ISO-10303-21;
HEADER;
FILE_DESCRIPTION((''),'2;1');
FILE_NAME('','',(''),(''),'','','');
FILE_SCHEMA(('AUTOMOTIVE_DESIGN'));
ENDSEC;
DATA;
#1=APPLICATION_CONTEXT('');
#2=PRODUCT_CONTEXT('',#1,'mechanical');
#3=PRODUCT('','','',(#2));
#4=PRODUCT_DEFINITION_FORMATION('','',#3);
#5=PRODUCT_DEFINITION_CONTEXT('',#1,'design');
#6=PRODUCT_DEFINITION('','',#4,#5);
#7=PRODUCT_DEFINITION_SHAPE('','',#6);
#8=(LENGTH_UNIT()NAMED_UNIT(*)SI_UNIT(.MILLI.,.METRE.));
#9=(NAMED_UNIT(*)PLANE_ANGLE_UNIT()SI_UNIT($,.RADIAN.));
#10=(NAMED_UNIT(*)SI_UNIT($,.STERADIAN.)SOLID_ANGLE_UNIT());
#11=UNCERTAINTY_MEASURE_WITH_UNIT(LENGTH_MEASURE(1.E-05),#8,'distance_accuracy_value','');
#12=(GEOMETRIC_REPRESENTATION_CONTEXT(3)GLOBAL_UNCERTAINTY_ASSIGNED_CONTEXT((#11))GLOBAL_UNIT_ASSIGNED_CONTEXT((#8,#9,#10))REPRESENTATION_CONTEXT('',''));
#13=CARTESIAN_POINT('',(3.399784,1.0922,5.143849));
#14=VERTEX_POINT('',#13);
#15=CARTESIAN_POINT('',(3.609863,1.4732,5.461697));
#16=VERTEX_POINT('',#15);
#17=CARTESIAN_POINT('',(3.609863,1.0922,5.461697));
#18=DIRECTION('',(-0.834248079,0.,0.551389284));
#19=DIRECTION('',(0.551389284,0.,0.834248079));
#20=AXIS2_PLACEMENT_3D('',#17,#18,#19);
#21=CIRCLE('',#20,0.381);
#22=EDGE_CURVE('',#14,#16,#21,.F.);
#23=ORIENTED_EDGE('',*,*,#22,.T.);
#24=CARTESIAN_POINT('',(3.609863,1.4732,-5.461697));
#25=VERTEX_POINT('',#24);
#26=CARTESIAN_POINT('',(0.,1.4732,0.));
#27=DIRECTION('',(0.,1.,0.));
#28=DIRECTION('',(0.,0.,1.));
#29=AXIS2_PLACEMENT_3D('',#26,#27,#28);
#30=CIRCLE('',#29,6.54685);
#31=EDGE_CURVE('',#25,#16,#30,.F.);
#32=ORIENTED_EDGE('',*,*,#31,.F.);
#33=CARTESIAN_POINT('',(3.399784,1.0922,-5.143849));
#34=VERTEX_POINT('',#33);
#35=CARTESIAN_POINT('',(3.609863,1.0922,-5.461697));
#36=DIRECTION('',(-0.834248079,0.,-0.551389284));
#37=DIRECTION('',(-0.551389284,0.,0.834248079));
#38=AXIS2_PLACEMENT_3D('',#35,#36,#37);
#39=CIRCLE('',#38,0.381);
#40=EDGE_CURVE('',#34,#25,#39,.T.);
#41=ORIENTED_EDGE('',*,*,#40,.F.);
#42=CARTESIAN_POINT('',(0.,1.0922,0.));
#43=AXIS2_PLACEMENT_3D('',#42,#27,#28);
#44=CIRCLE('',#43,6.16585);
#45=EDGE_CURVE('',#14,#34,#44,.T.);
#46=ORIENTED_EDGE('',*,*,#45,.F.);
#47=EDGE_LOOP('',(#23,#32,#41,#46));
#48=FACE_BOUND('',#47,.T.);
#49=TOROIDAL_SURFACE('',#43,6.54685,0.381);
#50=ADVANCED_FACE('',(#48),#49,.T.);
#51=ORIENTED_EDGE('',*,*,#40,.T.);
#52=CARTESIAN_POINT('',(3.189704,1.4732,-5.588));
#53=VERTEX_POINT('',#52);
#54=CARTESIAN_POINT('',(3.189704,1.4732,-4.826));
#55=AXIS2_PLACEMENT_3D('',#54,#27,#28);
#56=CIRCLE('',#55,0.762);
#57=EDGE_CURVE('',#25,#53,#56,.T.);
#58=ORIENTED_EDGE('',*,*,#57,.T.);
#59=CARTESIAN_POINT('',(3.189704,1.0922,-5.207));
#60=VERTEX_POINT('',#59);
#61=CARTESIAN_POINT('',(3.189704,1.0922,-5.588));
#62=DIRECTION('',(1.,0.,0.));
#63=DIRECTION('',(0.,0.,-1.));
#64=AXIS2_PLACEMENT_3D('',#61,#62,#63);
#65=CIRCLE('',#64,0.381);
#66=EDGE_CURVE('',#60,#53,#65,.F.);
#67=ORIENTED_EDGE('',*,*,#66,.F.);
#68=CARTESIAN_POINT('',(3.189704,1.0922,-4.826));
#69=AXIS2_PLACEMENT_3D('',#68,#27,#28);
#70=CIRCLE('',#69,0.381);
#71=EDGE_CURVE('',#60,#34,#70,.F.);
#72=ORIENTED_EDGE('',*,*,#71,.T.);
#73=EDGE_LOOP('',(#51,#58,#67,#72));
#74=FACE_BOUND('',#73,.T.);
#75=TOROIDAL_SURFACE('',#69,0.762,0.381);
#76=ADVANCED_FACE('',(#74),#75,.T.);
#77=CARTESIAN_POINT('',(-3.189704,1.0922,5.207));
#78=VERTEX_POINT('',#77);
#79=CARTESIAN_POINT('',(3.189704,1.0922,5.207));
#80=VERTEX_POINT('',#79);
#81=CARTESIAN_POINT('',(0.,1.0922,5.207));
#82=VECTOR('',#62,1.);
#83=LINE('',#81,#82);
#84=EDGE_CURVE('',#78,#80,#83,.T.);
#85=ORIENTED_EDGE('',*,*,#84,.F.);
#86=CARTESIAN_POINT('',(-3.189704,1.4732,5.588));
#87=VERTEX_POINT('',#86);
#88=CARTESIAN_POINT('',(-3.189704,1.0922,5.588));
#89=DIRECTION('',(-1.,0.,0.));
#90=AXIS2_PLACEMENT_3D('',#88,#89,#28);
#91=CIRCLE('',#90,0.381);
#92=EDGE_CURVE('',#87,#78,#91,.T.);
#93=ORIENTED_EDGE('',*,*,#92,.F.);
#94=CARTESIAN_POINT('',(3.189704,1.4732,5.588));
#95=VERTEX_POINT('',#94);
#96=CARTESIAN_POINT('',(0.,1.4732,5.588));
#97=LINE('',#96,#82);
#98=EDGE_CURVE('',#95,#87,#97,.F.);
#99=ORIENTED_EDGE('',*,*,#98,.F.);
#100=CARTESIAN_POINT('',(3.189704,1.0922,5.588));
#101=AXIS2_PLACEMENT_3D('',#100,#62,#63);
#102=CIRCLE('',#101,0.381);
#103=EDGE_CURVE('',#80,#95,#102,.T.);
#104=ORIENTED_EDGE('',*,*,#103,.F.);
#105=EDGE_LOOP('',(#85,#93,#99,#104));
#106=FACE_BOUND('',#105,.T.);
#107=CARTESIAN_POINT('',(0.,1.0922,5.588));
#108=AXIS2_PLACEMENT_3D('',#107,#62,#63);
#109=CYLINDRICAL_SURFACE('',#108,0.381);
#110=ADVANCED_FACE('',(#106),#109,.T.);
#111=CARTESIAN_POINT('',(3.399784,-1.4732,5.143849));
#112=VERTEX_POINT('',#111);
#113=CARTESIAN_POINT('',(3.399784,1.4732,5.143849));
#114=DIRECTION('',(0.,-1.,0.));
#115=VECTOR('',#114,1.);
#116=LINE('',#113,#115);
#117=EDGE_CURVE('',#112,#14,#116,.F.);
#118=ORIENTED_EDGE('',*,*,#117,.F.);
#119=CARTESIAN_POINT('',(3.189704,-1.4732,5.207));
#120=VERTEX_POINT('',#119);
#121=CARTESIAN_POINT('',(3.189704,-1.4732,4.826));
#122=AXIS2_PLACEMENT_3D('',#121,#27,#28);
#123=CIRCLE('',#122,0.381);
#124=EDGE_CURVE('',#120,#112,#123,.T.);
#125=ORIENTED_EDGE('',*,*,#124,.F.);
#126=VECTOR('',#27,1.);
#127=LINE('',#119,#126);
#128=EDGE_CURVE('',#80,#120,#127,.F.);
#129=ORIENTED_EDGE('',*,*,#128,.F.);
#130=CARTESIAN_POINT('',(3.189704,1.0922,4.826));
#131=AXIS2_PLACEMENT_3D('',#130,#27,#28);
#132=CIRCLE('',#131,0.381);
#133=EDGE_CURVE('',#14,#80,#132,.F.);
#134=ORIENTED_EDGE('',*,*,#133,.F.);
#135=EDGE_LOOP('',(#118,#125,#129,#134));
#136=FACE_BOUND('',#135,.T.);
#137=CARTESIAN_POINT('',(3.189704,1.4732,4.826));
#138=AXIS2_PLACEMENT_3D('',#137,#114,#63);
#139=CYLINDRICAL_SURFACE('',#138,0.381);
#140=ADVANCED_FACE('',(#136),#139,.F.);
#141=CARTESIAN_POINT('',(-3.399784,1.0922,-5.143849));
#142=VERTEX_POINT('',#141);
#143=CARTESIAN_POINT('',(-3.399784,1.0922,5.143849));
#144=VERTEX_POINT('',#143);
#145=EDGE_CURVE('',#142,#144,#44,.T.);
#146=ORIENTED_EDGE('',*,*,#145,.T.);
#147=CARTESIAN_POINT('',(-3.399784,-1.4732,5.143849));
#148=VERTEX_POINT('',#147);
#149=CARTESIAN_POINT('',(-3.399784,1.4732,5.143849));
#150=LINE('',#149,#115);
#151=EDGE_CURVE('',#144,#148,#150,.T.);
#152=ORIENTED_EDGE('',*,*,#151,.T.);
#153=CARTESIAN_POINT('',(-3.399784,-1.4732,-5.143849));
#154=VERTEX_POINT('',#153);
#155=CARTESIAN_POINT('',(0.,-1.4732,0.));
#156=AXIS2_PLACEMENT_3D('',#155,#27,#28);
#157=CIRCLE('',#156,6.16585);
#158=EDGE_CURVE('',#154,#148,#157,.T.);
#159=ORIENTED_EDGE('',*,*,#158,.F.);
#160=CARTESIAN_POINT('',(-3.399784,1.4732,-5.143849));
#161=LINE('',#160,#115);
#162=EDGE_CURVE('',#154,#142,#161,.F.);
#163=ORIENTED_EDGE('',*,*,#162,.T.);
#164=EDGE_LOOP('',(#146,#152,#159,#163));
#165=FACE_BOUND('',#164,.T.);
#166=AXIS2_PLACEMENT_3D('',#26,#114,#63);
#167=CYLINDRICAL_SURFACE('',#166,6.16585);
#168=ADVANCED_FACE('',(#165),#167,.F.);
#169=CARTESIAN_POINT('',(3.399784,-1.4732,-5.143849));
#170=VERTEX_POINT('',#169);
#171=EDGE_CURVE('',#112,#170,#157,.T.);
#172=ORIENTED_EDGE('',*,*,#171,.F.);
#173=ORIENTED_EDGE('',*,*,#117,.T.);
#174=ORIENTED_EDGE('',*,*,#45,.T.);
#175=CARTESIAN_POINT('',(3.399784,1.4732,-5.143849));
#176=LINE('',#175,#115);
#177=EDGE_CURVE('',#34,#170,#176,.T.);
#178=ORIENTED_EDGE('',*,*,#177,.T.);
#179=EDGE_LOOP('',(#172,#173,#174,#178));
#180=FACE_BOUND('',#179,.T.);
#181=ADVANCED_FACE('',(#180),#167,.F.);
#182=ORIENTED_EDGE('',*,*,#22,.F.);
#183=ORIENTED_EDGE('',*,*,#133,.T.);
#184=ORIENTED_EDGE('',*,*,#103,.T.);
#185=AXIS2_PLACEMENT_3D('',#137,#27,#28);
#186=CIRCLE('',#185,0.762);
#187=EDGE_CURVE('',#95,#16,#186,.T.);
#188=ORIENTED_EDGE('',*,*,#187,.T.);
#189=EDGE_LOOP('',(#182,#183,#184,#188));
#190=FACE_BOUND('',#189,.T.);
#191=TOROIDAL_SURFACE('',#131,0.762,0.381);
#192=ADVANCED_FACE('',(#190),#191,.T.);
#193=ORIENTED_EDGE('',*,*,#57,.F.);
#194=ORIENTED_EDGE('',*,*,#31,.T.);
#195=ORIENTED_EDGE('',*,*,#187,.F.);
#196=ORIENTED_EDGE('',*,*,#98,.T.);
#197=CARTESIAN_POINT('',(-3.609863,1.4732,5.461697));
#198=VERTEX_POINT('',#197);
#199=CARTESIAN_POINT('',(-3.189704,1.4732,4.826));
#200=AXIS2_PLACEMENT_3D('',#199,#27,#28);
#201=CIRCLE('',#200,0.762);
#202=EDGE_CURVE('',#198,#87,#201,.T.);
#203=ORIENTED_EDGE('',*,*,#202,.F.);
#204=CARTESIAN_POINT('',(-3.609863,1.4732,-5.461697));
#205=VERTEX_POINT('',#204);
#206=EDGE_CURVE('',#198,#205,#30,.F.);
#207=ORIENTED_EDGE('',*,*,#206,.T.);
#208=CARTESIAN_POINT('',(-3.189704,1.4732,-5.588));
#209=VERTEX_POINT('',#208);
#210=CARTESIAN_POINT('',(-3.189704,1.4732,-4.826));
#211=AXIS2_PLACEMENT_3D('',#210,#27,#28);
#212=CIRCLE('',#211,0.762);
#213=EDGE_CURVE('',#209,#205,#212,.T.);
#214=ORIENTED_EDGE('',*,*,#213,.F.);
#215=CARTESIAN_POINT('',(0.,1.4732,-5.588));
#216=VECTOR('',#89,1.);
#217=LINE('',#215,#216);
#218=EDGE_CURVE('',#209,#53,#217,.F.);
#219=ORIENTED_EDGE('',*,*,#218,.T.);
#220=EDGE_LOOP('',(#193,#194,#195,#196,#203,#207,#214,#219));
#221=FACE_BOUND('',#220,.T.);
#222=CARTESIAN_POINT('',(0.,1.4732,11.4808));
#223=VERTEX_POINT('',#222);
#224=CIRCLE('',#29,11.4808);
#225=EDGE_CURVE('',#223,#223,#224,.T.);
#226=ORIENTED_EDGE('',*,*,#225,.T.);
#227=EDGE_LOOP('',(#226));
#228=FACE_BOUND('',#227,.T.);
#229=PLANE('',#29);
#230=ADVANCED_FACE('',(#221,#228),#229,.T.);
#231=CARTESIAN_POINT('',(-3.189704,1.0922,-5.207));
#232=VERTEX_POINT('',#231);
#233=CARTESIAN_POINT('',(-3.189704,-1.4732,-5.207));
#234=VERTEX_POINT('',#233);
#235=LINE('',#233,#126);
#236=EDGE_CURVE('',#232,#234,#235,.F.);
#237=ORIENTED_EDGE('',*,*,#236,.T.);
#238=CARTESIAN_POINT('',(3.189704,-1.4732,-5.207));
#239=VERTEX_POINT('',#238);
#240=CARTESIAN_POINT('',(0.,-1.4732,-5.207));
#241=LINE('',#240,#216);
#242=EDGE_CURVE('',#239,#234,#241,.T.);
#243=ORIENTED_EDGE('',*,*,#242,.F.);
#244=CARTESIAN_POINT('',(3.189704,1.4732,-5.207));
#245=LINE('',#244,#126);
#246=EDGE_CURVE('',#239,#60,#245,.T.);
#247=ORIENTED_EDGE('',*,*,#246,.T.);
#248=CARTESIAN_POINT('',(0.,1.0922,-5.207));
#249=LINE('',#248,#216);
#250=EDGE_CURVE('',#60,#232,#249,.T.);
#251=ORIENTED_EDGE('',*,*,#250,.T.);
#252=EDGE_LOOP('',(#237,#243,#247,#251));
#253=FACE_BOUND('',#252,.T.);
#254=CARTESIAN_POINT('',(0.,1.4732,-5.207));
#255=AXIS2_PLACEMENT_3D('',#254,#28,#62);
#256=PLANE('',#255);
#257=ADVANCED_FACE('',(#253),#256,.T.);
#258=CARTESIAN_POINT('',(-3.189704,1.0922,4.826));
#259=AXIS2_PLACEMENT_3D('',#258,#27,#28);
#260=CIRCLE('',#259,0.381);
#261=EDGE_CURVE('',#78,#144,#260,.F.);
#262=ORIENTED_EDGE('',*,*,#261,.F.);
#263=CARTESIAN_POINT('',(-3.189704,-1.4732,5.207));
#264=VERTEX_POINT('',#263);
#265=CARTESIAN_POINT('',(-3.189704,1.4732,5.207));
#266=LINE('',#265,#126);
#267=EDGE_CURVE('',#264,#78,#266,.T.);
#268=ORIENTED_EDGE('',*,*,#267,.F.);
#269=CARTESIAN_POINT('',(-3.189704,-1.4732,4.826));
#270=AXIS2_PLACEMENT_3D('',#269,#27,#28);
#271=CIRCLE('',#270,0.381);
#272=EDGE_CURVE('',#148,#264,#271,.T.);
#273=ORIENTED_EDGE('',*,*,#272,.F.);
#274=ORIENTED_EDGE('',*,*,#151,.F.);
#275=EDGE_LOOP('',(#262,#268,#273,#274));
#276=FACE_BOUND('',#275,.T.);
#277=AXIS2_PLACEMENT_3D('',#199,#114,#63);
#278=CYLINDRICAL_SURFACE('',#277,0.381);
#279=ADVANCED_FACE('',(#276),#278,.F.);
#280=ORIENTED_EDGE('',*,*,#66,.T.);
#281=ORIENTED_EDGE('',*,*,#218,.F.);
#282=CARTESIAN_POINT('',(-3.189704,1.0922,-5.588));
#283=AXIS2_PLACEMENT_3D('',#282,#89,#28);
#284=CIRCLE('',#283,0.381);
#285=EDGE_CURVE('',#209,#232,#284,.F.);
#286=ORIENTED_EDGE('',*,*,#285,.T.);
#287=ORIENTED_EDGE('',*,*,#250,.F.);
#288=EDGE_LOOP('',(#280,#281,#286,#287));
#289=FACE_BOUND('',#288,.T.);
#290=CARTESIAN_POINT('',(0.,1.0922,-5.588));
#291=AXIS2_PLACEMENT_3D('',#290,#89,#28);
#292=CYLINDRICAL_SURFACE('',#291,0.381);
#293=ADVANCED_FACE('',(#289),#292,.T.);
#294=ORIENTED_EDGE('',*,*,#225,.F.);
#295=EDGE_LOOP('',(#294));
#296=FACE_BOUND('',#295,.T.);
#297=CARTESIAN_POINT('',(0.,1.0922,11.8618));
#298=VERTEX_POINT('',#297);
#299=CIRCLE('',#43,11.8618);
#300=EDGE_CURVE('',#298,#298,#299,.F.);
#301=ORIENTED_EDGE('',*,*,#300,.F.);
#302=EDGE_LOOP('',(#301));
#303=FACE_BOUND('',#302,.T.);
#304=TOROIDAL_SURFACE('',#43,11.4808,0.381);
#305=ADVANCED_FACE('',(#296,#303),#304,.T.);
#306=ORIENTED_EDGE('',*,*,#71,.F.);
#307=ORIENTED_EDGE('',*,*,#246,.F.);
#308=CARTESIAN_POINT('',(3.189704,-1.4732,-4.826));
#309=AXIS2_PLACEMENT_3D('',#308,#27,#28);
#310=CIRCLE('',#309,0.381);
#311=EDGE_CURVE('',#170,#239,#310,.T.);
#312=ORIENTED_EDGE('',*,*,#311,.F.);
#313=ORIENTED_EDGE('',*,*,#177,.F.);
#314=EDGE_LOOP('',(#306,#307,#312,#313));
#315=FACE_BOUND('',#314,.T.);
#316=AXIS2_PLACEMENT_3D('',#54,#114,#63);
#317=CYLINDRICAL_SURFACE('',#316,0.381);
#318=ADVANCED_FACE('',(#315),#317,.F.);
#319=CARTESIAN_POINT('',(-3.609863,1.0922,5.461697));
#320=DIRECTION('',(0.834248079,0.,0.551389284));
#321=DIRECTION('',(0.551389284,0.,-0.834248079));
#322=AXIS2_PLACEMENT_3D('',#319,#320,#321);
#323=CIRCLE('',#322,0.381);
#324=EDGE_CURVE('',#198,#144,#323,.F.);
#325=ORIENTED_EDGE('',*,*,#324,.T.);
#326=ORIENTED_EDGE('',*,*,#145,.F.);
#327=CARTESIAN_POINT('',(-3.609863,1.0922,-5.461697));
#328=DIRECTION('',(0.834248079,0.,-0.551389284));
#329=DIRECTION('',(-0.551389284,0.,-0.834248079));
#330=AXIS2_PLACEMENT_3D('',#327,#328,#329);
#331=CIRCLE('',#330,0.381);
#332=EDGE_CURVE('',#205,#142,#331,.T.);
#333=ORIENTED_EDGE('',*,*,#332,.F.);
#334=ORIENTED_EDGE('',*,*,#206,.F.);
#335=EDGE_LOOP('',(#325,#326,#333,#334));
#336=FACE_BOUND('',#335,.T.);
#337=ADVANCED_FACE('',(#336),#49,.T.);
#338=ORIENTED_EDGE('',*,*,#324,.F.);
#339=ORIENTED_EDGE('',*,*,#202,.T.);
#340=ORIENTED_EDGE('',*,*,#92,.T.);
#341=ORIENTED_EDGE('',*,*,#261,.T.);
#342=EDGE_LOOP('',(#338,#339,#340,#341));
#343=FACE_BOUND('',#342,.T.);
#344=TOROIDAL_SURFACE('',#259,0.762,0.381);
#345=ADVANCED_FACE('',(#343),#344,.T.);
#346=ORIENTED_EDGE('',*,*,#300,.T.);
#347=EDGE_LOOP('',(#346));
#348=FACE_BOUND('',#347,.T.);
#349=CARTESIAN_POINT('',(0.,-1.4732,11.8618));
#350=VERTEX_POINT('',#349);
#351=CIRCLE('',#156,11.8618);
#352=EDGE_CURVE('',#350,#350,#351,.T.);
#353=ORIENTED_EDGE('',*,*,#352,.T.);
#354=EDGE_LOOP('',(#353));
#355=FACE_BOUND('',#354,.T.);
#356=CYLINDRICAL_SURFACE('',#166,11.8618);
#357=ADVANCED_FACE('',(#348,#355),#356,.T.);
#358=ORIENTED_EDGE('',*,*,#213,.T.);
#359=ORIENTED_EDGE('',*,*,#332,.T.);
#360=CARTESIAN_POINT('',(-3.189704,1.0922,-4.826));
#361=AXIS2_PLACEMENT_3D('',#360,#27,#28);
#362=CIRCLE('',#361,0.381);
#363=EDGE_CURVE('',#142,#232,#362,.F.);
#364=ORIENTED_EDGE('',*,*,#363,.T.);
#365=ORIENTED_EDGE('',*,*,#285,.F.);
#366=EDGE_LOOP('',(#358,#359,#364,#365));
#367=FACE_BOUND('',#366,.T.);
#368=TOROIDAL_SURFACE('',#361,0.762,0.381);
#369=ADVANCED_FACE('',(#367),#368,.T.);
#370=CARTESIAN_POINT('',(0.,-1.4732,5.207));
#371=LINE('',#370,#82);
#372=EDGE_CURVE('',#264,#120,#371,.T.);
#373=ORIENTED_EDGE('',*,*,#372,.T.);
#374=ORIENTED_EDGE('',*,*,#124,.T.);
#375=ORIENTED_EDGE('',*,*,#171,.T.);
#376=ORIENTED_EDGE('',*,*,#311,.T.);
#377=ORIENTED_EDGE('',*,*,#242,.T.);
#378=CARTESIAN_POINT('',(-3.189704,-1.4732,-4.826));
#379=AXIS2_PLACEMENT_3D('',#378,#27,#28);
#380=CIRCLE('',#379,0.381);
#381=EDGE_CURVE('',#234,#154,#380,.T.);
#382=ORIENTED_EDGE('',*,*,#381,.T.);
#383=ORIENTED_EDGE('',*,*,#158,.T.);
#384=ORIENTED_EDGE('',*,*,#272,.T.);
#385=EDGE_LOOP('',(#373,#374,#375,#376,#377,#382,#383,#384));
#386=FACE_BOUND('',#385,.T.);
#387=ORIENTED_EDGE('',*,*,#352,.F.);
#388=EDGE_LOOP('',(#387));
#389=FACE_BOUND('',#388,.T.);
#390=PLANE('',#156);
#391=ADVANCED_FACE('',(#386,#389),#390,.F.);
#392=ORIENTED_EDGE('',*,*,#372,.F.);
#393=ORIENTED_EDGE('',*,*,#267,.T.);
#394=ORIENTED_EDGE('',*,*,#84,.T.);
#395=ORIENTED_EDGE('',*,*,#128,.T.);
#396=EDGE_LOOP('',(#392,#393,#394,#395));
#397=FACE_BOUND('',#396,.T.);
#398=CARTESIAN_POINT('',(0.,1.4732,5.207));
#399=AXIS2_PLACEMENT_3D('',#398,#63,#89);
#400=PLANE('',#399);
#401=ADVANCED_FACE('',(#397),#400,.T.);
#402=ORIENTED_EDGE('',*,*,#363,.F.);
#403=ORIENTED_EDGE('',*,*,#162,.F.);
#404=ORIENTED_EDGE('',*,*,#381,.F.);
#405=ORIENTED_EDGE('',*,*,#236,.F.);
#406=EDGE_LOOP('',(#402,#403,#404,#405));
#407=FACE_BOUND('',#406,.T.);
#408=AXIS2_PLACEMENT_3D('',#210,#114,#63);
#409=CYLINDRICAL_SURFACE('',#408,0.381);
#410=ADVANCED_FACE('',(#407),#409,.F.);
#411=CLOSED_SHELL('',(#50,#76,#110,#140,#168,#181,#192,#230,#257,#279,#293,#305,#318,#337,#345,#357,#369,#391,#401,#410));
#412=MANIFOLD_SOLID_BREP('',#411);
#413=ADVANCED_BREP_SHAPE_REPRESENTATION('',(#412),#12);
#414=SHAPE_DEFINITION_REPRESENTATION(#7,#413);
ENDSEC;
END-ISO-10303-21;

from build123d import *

# Parameters (mm, degrees)
SKETCH1_R           = 11.8618
BOSS_EXTRUDE1_DEPTH = 1.4732
FILLET1_R           = 0.381


with BuildPart() as part:
    # Sketch1 → Boss-Extrude1 (new, symmetric)
    with BuildSketch(Plane(origin=(0, 0, 0), x_dir=(1, 0, 0), z_dir=(0, 1, 0))):
        with Locations(Location((0, 0, 0), (0, 0, 270))):
            Circle(SKETCH1_R)
        with BuildLine():
            Line((3.302250327, 5.207), (-3.302250327, 5.207))
            ThreePointArc((-3.302250327, 5.207), (-6.16585, 0), (-3.302250327, -5.207))
            Line((-3.302250327, -5.207), (3.302250327, -5.207))
            ThreePointArc((3.302250327, -5.207), (6.16585, 0), (3.302250327, 5.207))
        make_face(mode=Mode.SUBTRACT)
    extrude(amount=BOSS_EXTRUDE1_DEPTH, both=True)

    # Fillet1
    fillet1_edges = [part.edges().sort_by_distance(p)[0] for p in [
        (3.302250327, 0, -5.207),
        (-3.302250327, 0, -5.207),
        (-3.302250327, 0, 5.207),
        (3.302250327, 0, 5.207),
        (0, 1.4732, 5.207),
        (-6.16585, 1.4732, 0),
        (0, 1.4732, -5.207),
        (0, 1.4732, -11.8618),
        (6.16585, 1.4732, 0),
    ]]
    fillet(fillet1_edges, radius=FILLET1_R)


solid = part.part
